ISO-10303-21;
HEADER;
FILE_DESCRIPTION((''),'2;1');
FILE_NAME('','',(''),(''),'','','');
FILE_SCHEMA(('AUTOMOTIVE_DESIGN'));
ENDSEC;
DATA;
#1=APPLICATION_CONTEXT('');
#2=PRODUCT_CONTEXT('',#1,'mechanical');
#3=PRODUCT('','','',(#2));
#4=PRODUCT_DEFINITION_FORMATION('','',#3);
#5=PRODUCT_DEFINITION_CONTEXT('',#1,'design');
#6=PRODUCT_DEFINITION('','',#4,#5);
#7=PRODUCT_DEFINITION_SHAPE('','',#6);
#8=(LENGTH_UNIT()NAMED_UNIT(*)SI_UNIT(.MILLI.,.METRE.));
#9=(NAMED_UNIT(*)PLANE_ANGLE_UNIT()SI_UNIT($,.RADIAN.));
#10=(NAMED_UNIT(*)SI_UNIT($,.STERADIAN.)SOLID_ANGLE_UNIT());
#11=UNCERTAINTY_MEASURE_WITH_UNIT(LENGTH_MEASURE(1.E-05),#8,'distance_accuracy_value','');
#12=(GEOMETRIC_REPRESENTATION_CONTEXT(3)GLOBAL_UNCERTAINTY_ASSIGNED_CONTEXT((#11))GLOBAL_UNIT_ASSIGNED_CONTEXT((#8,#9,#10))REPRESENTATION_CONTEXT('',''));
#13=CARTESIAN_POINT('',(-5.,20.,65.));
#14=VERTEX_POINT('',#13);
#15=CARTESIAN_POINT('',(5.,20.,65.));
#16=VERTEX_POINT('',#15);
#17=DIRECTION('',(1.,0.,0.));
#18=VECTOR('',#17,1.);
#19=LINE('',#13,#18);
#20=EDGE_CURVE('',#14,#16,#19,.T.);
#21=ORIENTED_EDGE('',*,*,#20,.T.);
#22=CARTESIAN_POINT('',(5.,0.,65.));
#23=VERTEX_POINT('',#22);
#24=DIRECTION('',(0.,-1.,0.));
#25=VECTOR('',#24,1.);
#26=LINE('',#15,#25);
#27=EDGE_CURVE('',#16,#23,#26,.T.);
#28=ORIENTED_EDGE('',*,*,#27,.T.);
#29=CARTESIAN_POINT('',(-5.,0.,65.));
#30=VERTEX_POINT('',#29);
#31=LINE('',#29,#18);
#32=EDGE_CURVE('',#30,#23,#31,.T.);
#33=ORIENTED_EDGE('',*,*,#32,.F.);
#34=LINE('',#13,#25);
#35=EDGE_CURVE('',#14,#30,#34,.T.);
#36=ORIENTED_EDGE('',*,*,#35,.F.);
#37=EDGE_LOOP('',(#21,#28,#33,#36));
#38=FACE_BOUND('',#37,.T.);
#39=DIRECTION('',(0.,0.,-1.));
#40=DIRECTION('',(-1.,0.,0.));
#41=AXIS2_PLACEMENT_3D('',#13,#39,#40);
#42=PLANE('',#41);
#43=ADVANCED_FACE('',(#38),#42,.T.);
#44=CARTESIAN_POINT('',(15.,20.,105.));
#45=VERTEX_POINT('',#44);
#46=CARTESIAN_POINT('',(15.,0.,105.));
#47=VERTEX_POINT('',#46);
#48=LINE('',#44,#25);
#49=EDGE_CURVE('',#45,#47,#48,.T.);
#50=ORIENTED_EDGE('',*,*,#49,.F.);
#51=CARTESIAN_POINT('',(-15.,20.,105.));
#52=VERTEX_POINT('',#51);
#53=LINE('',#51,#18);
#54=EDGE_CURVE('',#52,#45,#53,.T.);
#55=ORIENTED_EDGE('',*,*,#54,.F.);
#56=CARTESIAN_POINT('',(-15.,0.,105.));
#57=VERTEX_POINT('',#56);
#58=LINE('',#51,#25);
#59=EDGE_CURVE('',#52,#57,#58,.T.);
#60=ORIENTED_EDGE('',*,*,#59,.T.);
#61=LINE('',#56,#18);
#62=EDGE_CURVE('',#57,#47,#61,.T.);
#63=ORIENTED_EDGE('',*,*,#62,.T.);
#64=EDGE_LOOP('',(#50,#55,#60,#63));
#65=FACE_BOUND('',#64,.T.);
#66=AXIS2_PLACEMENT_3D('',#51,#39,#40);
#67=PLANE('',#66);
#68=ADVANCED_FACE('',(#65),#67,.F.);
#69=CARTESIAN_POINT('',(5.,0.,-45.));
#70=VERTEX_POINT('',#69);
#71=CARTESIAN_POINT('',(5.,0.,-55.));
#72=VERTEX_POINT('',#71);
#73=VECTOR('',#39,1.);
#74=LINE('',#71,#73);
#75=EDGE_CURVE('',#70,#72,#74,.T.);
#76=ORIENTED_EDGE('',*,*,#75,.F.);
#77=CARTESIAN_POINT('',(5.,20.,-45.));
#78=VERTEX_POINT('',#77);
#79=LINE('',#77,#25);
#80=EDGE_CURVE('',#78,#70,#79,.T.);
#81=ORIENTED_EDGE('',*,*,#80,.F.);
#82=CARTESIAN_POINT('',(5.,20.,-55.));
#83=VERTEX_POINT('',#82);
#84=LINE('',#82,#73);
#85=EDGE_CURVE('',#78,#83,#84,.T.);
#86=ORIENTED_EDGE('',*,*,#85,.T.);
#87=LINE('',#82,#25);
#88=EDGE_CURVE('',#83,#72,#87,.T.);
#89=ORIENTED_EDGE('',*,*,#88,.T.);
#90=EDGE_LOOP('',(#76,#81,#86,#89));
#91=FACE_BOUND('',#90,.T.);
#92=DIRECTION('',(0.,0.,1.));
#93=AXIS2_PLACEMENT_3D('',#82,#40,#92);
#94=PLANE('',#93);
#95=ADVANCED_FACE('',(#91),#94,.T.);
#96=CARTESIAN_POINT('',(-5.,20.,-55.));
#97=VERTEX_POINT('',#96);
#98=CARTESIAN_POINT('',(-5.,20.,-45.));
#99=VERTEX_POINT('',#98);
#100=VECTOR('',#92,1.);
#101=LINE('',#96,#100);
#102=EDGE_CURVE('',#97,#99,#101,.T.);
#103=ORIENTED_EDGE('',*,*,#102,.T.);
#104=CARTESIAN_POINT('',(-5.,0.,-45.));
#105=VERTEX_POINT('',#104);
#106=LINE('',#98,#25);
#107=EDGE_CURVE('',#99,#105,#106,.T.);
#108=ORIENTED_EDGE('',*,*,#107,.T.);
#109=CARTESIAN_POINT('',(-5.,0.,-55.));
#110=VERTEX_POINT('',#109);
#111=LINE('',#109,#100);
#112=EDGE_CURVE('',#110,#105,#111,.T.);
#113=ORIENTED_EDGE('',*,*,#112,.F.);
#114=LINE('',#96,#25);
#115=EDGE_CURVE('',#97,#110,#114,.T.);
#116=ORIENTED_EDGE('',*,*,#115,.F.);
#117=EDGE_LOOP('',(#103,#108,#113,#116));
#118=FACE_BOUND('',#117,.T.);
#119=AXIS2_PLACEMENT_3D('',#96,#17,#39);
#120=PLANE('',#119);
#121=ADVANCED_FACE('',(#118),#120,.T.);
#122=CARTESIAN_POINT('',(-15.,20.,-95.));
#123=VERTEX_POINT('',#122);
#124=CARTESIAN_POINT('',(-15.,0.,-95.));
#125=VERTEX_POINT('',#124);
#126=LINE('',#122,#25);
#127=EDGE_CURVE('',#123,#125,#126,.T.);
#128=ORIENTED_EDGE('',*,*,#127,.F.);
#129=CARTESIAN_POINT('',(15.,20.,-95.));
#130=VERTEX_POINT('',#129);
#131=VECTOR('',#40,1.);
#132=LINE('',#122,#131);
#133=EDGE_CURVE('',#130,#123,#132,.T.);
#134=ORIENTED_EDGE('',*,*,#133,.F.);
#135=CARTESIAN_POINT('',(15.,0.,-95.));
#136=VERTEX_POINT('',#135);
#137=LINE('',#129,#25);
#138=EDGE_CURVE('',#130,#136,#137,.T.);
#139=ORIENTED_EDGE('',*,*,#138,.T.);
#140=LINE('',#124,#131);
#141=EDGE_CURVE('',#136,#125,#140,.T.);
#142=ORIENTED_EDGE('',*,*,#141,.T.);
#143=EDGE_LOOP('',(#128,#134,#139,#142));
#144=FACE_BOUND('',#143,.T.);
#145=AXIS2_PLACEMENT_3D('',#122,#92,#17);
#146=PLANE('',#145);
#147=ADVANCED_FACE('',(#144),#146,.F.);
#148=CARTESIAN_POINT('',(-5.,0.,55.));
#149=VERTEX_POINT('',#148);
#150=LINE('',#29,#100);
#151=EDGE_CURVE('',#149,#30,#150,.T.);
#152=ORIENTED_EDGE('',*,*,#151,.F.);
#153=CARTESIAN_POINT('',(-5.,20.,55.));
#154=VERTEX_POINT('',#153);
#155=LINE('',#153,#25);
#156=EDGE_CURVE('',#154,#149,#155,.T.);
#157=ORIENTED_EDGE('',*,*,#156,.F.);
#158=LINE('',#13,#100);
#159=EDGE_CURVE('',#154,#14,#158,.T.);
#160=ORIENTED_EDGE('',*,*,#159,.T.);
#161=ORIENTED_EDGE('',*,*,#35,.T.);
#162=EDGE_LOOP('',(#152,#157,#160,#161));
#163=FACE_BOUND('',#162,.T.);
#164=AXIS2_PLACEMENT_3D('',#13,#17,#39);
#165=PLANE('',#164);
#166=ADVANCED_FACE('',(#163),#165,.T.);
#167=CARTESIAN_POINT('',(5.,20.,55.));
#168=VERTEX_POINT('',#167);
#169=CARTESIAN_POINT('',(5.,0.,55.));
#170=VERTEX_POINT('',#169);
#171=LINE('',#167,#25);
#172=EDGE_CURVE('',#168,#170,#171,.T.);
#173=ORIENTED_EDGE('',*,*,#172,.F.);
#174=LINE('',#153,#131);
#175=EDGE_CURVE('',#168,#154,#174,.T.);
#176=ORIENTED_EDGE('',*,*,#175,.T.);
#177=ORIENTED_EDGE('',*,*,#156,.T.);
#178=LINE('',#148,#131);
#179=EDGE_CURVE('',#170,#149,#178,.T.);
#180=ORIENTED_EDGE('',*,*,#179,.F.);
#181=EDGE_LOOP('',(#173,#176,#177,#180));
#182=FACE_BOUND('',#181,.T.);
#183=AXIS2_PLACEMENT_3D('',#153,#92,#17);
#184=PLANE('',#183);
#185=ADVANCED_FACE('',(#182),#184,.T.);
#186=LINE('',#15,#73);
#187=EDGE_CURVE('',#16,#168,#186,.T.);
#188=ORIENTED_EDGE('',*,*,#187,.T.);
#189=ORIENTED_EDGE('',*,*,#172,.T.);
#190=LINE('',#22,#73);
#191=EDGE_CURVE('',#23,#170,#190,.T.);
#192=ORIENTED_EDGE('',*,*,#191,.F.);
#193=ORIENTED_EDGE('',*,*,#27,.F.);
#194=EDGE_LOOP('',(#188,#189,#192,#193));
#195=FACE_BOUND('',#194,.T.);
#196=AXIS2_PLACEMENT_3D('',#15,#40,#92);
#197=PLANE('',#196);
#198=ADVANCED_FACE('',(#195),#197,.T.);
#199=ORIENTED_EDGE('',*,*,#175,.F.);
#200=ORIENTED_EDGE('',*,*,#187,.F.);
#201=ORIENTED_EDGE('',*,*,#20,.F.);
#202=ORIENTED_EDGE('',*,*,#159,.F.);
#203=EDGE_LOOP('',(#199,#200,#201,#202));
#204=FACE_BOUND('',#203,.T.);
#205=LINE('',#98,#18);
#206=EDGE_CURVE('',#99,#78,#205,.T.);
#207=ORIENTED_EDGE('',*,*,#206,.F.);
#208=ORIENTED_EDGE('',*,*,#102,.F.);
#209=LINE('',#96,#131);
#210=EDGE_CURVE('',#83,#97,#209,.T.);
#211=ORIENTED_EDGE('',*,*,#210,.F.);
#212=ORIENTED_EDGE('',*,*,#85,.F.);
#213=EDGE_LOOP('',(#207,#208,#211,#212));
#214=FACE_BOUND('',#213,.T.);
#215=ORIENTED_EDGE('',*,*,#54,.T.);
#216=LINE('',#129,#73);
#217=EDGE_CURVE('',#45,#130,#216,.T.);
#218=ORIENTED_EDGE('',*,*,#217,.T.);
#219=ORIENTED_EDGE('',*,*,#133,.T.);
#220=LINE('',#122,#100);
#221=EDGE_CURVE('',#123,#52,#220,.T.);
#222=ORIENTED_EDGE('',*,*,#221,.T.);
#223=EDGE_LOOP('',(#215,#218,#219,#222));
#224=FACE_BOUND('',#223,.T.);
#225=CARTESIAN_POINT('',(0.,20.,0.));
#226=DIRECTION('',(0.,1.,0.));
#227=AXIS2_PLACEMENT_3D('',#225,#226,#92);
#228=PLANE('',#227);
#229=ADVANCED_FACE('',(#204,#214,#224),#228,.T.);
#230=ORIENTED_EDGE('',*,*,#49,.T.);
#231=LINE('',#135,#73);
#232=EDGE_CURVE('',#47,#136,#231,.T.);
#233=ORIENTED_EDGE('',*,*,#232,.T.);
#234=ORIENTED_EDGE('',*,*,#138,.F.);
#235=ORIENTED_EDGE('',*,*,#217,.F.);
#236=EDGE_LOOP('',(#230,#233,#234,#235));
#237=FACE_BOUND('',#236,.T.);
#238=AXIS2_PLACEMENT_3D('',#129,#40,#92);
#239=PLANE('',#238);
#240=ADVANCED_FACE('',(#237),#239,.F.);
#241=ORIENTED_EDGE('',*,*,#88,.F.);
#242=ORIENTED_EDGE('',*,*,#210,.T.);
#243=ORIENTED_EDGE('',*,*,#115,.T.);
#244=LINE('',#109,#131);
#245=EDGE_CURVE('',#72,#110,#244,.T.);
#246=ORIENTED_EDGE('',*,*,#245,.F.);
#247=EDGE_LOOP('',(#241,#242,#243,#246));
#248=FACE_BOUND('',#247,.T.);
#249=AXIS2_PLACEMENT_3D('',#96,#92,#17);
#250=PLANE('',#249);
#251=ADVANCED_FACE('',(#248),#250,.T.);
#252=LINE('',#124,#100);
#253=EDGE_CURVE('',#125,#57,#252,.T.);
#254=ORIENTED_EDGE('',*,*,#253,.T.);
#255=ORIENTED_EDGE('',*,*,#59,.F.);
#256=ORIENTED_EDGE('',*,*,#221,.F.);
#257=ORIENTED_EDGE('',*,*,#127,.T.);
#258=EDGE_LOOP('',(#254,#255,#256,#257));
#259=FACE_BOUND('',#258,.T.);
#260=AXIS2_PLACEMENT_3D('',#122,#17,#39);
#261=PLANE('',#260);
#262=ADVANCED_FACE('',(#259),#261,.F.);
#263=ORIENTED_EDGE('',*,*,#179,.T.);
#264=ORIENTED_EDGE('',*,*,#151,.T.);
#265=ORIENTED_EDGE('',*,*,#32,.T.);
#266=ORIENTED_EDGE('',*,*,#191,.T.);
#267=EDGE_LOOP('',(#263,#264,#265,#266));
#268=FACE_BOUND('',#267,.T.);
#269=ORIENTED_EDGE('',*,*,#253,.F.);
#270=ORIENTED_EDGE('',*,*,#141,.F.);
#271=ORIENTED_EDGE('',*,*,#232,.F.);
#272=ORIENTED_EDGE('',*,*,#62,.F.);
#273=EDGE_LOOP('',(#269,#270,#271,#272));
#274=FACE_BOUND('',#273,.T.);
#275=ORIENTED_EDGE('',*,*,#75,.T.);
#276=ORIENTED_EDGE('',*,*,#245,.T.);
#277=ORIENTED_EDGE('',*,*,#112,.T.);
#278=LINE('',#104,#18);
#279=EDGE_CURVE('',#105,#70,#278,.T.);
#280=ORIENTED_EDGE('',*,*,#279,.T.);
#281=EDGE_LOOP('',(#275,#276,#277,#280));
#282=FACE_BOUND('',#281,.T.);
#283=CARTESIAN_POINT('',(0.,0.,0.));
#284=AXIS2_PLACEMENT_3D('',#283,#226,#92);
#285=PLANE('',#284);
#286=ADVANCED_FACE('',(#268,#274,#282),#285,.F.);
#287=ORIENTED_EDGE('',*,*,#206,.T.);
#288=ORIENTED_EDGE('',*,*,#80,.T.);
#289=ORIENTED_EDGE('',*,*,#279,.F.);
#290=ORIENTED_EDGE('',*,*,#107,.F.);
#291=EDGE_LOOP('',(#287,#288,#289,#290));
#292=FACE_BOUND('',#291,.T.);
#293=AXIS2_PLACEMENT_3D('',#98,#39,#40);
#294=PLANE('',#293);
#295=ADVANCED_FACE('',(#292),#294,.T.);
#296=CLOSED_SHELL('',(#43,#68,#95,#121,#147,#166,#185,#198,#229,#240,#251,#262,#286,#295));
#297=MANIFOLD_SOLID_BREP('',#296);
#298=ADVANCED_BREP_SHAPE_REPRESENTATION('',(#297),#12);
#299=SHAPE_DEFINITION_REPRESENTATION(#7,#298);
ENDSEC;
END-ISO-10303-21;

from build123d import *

# Parameters (mm, degrees)
SKETCH1_W           = 30
SKETCH1_H           = 200
SKETCH1_W_2         = 10
SKETCH1_H_2         = 10
BOSS_EXTRUDE1_DEPTH = 20


with BuildPart() as part:
    # Sketch1 → Boss-Extrude1 (new body)
    with BuildSketch(Plane(origin=(0, 0, 0), x_dir=(1, 0, 0), z_dir=(0, 1, 0))):
        with Locations((0, -5)):
            Rectangle(SKETCH1_W, SKETCH1_H)
        with Locations((0, 50)):
            Rectangle(SKETCH1_W_2, SKETCH1_H_2, mode=Mode.SUBTRACT)
        with Locations((0, -60)):
            Rectangle(SKETCH1_W_2, SKETCH1_H_2, mode=Mode.SUBTRACT)
    extrude(amount=BOSS_EXTRUDE1_DEPTH)


solid = part.part
